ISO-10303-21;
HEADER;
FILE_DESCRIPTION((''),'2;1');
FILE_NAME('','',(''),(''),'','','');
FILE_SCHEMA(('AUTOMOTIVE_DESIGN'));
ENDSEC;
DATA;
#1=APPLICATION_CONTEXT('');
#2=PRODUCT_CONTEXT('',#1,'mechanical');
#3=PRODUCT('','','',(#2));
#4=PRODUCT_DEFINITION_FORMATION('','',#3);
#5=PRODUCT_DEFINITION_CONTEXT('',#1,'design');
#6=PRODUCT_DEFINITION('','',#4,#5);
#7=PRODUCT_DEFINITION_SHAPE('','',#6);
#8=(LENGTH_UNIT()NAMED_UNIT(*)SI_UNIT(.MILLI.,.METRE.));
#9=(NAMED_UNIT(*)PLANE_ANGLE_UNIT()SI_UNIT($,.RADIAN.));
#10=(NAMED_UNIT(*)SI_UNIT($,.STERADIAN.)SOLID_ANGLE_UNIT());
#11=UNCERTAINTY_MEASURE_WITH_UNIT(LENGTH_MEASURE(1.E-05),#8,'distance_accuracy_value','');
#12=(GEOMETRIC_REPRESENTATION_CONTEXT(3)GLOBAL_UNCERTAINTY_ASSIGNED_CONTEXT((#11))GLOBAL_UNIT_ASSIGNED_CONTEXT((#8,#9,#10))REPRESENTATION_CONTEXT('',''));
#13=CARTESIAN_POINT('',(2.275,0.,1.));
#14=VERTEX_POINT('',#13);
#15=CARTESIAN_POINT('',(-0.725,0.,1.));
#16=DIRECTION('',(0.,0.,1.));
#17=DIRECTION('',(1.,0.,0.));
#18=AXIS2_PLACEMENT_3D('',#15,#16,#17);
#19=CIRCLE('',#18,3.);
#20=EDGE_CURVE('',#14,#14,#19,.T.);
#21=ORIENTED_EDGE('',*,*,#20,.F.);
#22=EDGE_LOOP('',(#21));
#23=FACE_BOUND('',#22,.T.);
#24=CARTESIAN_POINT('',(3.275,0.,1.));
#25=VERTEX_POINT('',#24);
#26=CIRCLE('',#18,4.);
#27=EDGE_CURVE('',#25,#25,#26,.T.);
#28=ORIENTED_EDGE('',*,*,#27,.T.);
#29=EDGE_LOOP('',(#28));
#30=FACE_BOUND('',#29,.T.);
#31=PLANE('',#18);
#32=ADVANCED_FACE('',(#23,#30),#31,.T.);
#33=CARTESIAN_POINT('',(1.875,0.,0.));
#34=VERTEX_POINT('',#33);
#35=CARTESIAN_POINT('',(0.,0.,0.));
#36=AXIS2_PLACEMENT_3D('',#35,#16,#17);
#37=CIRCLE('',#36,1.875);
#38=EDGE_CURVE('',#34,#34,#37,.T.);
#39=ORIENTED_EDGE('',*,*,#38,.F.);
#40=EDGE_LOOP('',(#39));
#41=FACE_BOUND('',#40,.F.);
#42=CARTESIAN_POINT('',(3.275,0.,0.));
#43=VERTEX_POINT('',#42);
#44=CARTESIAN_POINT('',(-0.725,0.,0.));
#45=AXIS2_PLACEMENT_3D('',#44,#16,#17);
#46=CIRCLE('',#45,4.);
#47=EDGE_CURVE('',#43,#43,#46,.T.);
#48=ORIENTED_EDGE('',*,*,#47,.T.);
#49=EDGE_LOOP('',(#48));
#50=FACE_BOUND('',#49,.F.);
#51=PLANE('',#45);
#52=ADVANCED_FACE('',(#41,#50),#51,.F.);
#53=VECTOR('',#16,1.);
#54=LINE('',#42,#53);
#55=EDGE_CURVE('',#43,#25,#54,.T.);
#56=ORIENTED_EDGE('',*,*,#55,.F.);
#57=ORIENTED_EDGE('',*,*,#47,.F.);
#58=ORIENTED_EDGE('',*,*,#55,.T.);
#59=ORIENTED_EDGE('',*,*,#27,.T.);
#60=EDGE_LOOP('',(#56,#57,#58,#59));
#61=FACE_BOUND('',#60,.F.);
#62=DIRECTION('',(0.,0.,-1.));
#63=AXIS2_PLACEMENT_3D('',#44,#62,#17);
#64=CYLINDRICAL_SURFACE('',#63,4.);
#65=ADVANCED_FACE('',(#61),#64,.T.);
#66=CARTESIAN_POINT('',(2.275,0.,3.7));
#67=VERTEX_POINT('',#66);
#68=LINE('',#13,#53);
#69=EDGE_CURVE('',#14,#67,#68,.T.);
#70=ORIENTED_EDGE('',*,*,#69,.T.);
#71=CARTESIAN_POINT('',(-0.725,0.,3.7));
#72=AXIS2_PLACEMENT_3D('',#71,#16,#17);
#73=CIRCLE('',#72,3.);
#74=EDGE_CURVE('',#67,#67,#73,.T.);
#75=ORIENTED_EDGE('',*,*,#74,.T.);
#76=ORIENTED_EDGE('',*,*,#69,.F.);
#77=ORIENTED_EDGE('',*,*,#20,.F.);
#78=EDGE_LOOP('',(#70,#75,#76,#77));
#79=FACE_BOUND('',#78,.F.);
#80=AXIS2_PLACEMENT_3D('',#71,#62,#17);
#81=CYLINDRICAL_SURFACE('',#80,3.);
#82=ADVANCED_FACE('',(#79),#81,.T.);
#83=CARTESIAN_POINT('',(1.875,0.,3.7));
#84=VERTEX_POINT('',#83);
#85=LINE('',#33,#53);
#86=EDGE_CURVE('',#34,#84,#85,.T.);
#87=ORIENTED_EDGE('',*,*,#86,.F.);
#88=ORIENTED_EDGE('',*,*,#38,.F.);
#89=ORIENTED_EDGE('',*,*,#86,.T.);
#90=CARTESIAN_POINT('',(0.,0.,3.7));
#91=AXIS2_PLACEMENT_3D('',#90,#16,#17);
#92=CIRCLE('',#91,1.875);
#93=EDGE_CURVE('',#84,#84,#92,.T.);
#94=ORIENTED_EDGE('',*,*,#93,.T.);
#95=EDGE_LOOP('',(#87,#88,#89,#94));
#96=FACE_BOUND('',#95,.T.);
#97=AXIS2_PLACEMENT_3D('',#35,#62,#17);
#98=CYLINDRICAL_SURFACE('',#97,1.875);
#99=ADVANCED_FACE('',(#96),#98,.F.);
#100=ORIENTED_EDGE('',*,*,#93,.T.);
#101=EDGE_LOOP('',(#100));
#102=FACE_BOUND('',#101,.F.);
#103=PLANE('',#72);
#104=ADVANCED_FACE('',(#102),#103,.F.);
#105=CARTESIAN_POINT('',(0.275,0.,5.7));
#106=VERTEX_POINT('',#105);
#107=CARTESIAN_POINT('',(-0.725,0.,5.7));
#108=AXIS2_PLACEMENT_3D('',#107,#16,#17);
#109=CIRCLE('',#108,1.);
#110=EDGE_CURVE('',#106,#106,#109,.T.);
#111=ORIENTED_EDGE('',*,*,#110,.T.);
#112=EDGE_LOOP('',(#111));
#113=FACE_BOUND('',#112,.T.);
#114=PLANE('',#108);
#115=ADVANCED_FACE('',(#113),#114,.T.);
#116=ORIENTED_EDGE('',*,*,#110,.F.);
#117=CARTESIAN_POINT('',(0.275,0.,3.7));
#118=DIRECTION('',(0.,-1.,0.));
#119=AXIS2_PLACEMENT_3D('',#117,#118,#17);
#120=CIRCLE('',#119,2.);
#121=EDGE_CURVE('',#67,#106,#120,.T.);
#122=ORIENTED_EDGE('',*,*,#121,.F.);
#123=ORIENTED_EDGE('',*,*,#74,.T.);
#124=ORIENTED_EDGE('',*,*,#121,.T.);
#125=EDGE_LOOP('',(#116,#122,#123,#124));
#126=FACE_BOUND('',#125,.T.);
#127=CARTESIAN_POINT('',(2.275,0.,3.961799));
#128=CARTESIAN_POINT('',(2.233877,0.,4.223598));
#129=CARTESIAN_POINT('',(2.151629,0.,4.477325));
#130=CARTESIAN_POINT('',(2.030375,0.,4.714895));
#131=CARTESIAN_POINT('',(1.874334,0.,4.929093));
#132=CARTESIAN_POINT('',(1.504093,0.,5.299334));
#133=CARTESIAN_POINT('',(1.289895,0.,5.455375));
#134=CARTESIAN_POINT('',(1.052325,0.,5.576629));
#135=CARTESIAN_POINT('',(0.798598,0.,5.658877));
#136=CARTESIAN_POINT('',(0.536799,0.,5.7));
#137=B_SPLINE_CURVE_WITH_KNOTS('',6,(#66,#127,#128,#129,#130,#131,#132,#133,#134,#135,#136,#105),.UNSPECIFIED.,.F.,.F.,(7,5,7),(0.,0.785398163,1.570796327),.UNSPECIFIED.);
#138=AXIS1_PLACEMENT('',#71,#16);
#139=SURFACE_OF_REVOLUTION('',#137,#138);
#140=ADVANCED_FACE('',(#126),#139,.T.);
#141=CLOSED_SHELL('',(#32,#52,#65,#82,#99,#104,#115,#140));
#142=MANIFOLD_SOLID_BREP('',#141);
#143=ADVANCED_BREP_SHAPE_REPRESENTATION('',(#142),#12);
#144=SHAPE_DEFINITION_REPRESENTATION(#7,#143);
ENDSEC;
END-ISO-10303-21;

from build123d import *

# Parameters (mm, degrees)
F0_R     = 4
F0_R_2   = 3
F1_DEPTH = 1
F0_R_3   = 1.875
F2_DEPTH = 3.7
F3_R     = 3
F3_R_2   = 1.875
F4_DEPTH = 2
F5_R     = 2


with BuildPart() as f1:
    # F0 (on Top) → F1 (new body)
    with BuildSketch(Plane.XY):
        with Locations((-0.725, 0)):
            Circle(F0_R)
        with Locations((-0.725, 0)):
            Circle(F0_R_2, mode=Mode.SUBTRACT)
    extrude(amount=F1_DEPTH)

    # F0 (on Top) → F2 (join)
    with BuildSketch(Plane.XY):
        with Locations((-0.725, 0)):
            Circle(F0_R_2)
        Circle(F0_R_3, mode=Mode.SUBTRACT)
    extrude(amount=F2_DEPTH)

    # F3 (on face) → F4 (join)
    with BuildSketch(Plane.XY.offset(3.7)):
        with Locations((-0.725, 0)):
            Circle(F3_R)
        Circle(F3_R_2, mode=Mode.SUBTRACT)
        Circle(F3_R_2)
    extrude(amount=F4_DEPTH)

    # F5
    f5_edges = [f1.edges().sort_by_distance(p)[0] for p in [
        (-3.725, 0, 5.7),
    ]]
    fillet(f5_edges, radius=F5_R)


solid = f1.part
